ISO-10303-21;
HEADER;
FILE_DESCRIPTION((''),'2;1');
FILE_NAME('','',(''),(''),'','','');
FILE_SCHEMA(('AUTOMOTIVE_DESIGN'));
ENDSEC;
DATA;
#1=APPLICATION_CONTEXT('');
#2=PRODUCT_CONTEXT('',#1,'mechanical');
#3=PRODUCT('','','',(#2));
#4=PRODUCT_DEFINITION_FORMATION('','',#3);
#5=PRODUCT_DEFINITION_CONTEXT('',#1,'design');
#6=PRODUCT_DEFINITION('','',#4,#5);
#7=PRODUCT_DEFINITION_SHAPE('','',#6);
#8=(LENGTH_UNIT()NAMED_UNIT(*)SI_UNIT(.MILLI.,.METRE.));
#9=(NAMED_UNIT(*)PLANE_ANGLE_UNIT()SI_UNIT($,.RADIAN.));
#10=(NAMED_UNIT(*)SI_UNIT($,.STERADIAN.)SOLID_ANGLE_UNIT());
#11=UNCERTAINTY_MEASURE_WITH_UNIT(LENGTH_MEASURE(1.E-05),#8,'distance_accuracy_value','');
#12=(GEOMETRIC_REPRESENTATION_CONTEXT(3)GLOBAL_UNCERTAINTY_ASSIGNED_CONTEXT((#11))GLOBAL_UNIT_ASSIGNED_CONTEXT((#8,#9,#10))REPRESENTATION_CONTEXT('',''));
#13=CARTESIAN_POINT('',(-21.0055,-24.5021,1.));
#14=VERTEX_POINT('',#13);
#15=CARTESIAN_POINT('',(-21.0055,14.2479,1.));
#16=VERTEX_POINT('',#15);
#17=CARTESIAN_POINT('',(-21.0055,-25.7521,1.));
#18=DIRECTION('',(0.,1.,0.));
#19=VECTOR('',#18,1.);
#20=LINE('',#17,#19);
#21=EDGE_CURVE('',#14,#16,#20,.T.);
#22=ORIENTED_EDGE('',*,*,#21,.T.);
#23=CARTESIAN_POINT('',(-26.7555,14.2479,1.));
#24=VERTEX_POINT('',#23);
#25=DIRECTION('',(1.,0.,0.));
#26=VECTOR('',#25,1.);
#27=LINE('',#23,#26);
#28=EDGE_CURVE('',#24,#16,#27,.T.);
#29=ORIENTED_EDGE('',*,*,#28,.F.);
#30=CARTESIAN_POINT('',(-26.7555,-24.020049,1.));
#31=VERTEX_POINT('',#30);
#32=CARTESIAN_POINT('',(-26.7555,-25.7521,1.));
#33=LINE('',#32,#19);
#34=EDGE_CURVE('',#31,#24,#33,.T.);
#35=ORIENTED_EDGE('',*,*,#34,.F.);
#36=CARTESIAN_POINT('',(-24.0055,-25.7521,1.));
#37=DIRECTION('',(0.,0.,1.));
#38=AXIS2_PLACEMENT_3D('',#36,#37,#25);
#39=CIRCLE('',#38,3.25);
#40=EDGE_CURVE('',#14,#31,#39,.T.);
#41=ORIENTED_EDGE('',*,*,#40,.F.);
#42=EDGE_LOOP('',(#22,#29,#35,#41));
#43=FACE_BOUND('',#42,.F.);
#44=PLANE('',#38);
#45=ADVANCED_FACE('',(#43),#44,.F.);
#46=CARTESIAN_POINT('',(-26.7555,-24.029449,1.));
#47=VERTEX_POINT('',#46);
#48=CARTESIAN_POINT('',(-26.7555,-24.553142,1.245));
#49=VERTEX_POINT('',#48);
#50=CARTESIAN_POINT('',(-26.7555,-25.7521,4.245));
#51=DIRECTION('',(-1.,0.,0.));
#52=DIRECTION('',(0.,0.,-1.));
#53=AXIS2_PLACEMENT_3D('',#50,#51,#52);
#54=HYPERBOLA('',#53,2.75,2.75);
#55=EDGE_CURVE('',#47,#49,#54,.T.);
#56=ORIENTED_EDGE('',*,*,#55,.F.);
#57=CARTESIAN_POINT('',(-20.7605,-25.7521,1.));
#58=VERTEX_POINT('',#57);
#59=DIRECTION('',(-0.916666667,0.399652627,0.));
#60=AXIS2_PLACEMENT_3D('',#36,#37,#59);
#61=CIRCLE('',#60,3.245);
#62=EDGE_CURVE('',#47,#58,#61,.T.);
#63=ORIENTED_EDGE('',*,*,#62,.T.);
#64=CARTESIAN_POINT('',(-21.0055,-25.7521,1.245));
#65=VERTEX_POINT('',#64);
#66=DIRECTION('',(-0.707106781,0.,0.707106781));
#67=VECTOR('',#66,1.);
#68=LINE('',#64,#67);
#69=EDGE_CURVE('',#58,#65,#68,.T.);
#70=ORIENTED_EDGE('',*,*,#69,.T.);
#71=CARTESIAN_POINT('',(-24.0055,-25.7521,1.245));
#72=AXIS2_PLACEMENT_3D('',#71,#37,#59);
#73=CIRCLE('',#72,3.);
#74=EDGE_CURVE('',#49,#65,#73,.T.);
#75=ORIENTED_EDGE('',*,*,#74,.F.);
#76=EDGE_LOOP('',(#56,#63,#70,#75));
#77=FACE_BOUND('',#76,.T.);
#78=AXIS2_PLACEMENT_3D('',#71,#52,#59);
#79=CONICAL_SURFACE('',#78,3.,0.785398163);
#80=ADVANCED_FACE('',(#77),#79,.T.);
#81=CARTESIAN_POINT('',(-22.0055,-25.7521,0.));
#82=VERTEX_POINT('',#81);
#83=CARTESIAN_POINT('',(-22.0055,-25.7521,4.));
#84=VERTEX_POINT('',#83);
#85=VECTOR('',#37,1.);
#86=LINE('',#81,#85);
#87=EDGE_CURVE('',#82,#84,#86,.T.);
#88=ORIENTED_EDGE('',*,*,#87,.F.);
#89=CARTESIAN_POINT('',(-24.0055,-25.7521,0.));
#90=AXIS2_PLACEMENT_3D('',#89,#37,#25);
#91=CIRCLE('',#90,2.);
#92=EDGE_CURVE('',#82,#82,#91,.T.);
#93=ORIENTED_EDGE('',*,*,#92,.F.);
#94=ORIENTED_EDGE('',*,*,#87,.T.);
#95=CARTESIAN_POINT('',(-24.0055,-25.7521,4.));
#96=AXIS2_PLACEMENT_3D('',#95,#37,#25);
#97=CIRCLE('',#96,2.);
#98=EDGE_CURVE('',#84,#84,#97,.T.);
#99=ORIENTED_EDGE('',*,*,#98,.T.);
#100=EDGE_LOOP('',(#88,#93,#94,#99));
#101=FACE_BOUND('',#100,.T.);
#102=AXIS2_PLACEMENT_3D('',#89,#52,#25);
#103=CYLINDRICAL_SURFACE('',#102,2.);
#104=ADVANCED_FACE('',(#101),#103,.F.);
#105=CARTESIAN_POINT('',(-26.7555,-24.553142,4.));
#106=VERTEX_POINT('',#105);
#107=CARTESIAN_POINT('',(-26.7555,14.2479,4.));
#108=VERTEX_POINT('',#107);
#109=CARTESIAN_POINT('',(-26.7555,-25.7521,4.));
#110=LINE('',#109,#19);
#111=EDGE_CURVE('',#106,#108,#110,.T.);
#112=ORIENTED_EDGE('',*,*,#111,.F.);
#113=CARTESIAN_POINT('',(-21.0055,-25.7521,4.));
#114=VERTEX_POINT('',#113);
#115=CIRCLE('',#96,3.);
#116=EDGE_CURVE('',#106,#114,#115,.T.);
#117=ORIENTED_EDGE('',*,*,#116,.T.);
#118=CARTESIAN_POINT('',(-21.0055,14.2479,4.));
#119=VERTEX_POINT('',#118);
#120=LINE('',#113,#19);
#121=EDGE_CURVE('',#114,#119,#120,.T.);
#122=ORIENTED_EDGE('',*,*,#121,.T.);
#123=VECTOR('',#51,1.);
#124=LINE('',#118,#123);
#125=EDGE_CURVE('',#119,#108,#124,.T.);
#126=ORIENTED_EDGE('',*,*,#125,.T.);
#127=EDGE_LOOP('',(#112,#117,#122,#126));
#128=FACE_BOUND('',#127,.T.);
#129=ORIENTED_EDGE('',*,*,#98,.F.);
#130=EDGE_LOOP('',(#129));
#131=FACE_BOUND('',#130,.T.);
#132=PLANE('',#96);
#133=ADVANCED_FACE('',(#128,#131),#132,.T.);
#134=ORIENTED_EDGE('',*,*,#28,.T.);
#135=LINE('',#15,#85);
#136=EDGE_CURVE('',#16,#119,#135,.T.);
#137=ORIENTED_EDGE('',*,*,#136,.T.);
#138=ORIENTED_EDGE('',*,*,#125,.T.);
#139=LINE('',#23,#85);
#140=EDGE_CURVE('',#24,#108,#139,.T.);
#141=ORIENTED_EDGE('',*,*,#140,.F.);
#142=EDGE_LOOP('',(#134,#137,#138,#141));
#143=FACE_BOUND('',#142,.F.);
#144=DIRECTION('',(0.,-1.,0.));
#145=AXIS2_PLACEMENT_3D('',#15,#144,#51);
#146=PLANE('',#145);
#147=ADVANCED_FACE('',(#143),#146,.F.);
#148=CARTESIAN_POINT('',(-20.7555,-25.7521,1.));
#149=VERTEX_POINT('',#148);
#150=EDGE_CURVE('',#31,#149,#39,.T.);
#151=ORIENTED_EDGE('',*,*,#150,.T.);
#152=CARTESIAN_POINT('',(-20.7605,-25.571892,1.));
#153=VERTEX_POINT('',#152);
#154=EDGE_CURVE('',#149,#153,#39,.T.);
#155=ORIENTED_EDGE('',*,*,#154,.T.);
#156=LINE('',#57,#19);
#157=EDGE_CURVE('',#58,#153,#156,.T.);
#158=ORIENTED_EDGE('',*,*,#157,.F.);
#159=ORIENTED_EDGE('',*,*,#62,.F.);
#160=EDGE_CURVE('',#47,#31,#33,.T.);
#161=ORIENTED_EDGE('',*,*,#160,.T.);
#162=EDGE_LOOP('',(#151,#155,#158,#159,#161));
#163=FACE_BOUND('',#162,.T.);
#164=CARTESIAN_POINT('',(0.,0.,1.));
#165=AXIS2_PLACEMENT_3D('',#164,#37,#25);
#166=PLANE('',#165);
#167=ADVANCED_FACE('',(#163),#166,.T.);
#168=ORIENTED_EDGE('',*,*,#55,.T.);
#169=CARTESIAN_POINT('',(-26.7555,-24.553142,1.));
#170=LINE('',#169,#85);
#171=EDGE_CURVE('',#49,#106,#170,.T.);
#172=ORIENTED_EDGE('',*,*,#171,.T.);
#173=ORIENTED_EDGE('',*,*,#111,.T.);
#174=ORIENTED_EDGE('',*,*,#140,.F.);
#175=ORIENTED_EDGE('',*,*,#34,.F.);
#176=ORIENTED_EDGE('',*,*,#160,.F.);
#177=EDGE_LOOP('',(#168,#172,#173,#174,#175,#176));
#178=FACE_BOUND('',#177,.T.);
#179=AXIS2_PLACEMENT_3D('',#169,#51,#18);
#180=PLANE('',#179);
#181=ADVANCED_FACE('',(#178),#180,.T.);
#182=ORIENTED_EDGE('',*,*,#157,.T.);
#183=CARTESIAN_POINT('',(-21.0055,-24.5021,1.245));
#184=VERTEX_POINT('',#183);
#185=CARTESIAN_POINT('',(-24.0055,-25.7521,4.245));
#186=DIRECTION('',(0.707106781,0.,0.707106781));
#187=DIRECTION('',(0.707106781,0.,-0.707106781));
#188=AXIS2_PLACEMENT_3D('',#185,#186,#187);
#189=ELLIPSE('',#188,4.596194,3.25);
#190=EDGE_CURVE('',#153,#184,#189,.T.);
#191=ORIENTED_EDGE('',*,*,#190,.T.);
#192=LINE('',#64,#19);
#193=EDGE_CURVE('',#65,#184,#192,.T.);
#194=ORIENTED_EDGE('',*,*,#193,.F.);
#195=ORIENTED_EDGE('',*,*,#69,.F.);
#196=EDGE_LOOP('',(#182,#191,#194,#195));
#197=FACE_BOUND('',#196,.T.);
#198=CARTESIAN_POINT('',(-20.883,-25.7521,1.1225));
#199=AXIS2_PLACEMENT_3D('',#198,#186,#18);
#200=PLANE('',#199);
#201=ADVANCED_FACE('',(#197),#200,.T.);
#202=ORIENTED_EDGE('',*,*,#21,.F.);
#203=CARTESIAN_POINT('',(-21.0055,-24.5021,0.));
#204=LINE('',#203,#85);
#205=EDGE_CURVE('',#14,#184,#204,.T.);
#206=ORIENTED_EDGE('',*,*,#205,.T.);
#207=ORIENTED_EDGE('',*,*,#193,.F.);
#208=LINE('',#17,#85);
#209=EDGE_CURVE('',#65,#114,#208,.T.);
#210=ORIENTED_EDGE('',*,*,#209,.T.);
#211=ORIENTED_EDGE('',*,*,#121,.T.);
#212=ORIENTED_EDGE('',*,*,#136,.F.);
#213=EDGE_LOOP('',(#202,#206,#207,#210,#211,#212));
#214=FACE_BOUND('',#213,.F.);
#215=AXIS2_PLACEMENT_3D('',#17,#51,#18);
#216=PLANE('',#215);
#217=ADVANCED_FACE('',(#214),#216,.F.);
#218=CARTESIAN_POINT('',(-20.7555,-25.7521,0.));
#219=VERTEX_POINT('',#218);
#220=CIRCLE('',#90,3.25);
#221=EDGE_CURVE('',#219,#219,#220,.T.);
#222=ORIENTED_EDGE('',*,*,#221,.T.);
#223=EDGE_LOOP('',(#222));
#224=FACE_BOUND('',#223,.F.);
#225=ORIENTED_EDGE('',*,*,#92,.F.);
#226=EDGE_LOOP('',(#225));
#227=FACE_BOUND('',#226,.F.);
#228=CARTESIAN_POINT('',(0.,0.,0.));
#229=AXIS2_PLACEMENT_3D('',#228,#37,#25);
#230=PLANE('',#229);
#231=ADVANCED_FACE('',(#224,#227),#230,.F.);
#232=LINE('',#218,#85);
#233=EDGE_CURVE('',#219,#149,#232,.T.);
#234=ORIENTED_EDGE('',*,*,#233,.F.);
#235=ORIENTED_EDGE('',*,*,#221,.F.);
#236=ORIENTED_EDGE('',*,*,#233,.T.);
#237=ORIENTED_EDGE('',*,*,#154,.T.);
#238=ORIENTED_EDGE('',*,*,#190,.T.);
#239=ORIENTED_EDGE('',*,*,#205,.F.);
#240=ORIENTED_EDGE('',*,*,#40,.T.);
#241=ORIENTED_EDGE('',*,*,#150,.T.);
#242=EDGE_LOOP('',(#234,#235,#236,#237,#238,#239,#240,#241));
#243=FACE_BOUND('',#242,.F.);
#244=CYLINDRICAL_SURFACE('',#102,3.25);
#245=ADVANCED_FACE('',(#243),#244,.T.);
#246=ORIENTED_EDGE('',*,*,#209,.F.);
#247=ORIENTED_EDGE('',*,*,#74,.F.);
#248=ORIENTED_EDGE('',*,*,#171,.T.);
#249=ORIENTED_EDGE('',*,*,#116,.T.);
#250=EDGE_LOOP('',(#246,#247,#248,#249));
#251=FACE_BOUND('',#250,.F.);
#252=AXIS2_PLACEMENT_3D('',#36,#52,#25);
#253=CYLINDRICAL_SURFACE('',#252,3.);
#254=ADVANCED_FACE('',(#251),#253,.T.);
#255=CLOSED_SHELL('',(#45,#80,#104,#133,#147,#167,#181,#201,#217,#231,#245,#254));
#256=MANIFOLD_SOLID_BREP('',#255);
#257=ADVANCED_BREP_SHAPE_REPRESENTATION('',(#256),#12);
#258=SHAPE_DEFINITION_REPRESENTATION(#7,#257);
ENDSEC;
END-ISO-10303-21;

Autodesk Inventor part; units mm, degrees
ref_plane "YZ Plane" through (0, 0, 0) normal (1, 0, 0) x (0, 1, 0)
ref_plane "XZ Plane" through (0, 0, 0) normal (0, 1, 0) x (-1, 0, 0)
ref_plane "XY Plane" through (0, 0, 0) normal (0, 0, 1) x (1, 0, 0)
sketch "Sketch1" plane through (0, 0, 0) normal (0, 0, 1) x (1, 0, 0)
  circle A0 centre (-24.0055, -25.7521) radius 3.25
  circle A1 centre (-24.0055, -25.7521) radius 2
  point P0 (0, 0)
  dimension "d0" = 6.5
  dimension "d1" = 4
extrude "Extrusion1" add sketch "Sketch1" along normal blind 1
sketch "Sketch2" plane through (-24.0055, -25.7521, 1) normal (0, 0, 1) x (1, 0, 0)
  circle A0 centre (0, 0) radius 3
  circle A1 centre (0, 0) radius 2
  line L0 (0, 0) -> (-2.75, 0)
  line L1 (-2.75, 0) -> (-2.75, 40)
  line L2 (-2.75, 40) -> (0, 40)
  line L3 (0, 40) -> (0, 0)
  line L4 (0, 0) -> (3, 0)
  line L5 (3, 0) -> (3, 40)
  line L6 (3, 40) -> (0, 40)
  line L7 (0, 40) -> (0, 0)
  point P0 (24.0055, 25.7521)
  point P1 (-2.75, 1.199)
  point P2 (3, 0)
  point P3 (0, 40)
  dimension "d4" = 40
  dimension "d5" = 3
  dimension "d8" = 4
  dimension "d9" = 6
extrude "Extrusion2" add sketch "Sketch2" along normal blind 3 contours L4 A1 L3 A0 | A0 L1 L0 A1 L4 | A0 L3 L6 L5 | L3 A1 L0 L1 A0 | A0 L1 L2 L3
chamfer "Chamfer1" distance 0.245 angle 45 2 edges at (-24.6178, -28.689, 1) (-21.0055, -25.1271, 1)
properties part number "slide_clips_4mm"
